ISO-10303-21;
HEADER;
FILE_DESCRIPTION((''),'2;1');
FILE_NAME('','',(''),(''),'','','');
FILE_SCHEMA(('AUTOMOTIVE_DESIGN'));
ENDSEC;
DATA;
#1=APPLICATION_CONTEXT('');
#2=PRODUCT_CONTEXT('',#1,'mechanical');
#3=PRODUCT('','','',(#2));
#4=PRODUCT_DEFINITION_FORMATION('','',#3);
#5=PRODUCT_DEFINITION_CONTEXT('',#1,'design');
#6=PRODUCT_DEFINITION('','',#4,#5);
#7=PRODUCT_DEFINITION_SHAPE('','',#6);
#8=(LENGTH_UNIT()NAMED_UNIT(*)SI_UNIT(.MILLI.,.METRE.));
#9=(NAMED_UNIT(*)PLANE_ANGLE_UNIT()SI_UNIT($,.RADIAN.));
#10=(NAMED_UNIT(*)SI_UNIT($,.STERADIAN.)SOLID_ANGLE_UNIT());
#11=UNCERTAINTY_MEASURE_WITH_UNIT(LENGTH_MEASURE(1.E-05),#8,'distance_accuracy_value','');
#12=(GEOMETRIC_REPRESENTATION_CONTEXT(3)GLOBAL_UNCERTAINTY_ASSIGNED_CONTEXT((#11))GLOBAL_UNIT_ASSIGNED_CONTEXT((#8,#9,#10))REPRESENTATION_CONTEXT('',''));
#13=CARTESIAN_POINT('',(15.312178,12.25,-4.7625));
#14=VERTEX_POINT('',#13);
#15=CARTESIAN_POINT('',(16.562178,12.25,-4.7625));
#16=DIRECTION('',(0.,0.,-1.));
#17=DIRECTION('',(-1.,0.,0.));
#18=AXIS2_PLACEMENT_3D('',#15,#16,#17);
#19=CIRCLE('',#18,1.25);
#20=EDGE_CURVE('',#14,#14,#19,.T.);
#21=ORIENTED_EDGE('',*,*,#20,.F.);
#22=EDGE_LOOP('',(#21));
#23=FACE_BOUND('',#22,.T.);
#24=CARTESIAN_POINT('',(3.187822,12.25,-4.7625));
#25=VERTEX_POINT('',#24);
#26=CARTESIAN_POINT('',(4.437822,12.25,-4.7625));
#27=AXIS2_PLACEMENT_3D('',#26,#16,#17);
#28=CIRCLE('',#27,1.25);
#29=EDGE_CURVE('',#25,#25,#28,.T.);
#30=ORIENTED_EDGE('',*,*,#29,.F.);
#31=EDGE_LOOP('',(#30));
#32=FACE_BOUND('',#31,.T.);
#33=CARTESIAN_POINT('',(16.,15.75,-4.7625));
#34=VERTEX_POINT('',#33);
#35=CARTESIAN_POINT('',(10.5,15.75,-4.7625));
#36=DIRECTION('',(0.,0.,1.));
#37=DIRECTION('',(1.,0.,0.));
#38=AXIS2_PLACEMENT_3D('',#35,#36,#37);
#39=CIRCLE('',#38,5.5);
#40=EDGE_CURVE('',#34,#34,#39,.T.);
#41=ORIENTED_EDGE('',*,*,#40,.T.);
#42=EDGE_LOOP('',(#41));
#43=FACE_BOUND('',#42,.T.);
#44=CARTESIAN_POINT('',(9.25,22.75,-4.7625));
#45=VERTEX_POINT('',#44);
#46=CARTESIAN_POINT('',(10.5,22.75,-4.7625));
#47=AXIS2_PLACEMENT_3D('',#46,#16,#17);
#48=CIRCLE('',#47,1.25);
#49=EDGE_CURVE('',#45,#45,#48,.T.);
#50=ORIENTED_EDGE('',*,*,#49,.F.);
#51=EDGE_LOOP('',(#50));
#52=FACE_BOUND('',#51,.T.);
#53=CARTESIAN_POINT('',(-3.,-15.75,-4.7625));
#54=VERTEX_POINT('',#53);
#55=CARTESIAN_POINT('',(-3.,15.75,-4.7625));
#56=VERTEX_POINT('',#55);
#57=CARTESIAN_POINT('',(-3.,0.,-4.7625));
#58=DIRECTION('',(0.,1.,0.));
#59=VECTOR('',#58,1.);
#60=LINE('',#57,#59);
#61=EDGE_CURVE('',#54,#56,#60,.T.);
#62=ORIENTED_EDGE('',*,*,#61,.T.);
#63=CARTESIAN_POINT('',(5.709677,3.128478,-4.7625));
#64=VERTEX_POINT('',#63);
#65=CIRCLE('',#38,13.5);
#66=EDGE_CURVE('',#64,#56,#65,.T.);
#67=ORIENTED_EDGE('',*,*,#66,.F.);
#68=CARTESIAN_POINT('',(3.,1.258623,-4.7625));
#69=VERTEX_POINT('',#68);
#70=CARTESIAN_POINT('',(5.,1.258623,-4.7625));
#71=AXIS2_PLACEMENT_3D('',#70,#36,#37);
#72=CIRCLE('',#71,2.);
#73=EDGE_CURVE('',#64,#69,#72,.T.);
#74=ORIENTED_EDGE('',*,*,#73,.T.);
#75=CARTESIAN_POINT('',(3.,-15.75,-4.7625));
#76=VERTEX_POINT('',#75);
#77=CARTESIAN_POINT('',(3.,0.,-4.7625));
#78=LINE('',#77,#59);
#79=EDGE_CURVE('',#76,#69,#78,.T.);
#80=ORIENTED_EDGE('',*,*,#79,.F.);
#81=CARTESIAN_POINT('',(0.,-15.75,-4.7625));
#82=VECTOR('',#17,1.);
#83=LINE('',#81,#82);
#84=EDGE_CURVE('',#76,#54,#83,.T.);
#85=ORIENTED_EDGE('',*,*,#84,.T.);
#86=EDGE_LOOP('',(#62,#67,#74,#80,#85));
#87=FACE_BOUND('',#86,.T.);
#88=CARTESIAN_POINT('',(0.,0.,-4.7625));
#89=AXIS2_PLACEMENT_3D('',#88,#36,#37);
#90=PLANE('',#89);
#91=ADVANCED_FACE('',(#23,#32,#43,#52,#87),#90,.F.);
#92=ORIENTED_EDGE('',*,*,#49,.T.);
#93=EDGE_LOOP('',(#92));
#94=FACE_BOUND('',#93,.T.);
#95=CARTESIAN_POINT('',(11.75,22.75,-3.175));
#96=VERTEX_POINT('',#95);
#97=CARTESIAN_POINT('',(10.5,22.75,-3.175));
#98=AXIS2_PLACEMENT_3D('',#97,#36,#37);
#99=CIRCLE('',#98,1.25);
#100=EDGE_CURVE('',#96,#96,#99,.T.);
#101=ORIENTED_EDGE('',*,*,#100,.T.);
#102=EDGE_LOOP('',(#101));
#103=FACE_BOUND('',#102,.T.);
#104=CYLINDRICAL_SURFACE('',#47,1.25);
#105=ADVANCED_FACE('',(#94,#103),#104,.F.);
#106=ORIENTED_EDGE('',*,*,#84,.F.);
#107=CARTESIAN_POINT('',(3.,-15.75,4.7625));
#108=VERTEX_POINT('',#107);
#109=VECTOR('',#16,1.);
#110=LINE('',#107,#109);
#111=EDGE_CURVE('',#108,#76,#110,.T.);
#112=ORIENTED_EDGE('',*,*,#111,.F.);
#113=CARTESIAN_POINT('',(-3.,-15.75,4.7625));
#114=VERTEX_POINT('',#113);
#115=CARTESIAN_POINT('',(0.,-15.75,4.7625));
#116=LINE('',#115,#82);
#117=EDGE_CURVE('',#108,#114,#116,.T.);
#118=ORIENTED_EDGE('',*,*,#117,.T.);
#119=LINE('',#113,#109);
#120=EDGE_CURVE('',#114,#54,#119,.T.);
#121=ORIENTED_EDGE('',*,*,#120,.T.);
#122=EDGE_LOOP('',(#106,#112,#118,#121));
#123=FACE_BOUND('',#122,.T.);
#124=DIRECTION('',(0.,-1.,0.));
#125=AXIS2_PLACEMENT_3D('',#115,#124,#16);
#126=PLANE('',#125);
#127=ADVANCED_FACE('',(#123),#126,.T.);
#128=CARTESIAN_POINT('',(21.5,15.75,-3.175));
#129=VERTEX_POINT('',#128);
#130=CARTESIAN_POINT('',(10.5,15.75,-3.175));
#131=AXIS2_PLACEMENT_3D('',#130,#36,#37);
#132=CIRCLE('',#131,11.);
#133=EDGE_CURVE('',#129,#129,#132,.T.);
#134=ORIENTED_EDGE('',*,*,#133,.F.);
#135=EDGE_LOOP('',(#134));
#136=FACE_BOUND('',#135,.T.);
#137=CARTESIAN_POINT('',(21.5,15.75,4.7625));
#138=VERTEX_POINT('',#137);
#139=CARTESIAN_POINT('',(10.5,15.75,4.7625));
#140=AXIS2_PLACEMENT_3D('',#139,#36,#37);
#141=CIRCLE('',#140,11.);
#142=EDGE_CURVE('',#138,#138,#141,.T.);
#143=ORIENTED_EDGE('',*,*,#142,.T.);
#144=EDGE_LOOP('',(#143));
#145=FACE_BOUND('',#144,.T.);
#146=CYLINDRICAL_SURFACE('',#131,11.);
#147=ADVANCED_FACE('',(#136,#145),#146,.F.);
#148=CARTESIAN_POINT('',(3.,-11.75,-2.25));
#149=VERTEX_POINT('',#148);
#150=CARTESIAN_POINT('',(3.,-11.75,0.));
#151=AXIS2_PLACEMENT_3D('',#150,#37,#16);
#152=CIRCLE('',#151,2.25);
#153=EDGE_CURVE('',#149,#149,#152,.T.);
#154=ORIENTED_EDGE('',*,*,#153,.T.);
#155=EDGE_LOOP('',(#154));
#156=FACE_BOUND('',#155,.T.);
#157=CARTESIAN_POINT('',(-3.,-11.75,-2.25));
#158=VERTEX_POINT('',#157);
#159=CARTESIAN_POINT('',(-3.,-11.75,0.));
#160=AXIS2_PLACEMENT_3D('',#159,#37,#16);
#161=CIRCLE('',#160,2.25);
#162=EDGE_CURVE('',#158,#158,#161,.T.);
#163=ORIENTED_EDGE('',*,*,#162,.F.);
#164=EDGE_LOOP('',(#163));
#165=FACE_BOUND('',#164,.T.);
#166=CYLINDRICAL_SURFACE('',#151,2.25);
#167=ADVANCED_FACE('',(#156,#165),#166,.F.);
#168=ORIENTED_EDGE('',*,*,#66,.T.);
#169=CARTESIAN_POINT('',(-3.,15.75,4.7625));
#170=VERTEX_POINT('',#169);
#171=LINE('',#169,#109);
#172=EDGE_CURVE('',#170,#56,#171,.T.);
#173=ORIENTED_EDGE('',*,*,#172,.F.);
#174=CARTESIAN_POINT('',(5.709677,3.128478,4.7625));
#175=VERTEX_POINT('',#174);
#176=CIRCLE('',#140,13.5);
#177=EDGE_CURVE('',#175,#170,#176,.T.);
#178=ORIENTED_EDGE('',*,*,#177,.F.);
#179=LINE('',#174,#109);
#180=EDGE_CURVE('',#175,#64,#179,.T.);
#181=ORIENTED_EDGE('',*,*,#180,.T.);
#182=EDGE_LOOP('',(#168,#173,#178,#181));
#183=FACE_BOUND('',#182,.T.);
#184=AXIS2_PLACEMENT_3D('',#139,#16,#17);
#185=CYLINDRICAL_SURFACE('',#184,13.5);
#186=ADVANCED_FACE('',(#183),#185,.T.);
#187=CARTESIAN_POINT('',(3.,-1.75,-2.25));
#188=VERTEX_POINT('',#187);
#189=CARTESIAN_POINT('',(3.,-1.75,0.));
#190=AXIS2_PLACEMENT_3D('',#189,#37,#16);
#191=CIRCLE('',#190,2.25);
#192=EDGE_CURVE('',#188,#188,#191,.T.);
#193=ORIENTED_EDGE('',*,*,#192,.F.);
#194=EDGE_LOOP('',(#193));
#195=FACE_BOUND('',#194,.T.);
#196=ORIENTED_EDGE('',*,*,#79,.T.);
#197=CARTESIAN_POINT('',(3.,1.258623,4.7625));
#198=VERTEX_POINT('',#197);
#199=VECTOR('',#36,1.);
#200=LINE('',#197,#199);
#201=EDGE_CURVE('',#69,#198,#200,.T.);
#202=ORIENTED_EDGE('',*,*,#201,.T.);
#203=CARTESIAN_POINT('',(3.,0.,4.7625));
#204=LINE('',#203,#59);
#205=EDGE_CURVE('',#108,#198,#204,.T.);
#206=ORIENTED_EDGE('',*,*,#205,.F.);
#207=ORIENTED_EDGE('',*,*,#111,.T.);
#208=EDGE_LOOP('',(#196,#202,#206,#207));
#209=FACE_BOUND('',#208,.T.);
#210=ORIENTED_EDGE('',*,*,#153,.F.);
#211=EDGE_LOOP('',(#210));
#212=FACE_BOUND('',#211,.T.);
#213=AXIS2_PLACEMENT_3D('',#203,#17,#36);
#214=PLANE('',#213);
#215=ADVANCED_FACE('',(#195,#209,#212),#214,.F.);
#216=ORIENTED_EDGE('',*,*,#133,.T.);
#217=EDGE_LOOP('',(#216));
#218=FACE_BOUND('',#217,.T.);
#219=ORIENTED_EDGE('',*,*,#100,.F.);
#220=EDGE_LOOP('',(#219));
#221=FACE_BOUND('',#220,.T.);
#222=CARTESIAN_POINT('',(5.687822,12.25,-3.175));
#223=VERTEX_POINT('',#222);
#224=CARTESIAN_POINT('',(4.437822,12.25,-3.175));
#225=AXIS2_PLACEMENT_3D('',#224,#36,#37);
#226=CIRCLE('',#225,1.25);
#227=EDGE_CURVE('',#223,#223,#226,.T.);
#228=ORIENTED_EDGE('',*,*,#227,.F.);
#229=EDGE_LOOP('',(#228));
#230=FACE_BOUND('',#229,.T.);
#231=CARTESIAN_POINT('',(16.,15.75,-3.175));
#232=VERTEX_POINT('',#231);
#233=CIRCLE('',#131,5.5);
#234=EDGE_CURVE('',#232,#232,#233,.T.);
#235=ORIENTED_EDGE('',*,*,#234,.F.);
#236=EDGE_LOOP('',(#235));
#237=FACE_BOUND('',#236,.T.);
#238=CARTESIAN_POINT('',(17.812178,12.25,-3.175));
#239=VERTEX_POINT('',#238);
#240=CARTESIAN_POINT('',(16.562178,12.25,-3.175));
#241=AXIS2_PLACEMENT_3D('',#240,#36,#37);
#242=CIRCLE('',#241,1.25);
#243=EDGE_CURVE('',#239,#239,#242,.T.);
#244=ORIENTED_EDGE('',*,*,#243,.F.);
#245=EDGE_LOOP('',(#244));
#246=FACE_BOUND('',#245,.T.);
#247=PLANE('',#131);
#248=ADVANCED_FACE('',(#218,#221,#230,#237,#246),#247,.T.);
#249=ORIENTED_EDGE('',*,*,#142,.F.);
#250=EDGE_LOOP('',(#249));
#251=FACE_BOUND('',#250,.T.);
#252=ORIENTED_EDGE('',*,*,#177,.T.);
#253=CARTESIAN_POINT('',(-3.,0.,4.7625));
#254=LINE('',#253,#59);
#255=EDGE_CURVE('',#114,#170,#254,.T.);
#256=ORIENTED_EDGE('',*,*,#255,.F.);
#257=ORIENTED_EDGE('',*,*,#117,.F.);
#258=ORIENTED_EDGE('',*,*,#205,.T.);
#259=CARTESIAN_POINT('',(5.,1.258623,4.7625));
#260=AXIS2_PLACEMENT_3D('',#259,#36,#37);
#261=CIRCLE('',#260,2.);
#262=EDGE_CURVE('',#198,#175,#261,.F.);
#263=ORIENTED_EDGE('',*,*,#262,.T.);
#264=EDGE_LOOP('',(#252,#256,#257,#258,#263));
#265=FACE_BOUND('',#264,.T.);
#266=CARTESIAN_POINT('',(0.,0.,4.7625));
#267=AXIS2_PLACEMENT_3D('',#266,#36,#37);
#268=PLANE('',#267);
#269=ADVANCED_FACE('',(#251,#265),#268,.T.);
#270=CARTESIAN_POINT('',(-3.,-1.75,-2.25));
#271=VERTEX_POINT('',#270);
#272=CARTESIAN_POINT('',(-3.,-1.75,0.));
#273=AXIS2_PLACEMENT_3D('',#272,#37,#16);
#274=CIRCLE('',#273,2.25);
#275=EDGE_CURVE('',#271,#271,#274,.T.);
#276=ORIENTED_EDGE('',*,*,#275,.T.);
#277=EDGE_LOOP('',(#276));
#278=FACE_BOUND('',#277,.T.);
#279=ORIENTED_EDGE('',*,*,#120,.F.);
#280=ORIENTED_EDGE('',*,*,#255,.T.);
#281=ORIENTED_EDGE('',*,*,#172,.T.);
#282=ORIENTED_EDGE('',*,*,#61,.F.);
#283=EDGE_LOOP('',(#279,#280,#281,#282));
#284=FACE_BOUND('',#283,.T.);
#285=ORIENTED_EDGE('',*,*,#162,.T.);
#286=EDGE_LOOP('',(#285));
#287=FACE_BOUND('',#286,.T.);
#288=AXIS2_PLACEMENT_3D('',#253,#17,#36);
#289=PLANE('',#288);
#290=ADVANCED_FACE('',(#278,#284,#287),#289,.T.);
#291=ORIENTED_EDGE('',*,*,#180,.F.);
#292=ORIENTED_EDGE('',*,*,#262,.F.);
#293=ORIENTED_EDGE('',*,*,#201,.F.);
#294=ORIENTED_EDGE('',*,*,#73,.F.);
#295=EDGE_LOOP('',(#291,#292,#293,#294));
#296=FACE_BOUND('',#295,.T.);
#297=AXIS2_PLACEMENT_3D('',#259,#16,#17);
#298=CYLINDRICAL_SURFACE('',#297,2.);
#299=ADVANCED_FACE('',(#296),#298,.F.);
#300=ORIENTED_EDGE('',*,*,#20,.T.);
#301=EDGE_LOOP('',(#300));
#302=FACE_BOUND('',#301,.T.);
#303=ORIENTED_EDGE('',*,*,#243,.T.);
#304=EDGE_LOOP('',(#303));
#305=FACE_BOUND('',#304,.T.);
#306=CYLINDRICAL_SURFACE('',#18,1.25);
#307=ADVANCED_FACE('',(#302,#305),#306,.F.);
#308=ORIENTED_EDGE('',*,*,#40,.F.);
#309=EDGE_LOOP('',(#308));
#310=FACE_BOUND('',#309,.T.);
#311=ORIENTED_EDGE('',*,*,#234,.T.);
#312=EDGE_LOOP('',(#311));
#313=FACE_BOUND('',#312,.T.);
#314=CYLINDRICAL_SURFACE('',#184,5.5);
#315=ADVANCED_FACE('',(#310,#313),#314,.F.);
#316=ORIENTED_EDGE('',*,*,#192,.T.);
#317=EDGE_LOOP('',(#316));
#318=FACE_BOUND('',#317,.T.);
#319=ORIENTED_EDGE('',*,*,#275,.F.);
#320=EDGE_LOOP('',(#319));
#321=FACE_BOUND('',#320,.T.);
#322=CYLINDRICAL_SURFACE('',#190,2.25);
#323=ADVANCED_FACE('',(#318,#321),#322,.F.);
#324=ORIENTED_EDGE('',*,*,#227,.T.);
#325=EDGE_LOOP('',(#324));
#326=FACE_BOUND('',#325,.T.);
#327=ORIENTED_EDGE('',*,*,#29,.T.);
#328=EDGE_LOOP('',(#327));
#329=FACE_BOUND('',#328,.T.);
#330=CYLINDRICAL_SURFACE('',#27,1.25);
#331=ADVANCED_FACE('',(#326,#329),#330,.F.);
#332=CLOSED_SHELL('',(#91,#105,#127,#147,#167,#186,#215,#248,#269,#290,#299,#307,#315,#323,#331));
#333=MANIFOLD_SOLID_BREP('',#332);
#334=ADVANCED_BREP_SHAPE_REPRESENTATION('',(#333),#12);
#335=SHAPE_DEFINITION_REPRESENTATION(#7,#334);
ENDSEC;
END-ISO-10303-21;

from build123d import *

# Parameters (mm, degrees)
SKETCH2_R             = 13.5
SKETCH2_R_2           = 5.5
SKETCH2_W             = 6
SKETCH2_H             = 31.5
BOSS_EXTRUDE1_DEPTH   = 4.7625
M4_CLEARANCE_HOLE1_D  = 4.5
FILLET1_R             = 2
SKETCH5_R             = 11
CUT_EXTRUDE1_DEPTH    = 7.9375
M3X0_5_TAPPED_HOLE1_D = 2.5


with BuildPart() as part:
    # Sketch2 → Boss-Extrude1 (new body, symmetric)
    with BuildSketch(Plane.XY):
        with Locations((10.5, 15.75)):
            Circle(SKETCH2_R)
        with Locations((10.5, 15.75)):
            Circle(SKETCH2_R_2, mode=Mode.SUBTRACT)
        Rectangle(SKETCH2_W, SKETCH2_H)
    extrude(amount=BOSS_EXTRUDE1_DEPTH, both=True)

    # M4 Clearance Hole1 (through all)
    with Locations(Plane(origin=(3, 0, 0), x_dir=(0, 0, -1), z_dir=(1, 0, 0))):
        with Locations((0, -1.75), (0, -11.75)):
            Hole(M4_CLEARANCE_HOLE1_D / 2)

    # Fillet1
    fillet1_edges = [part.edges().sort_by_distance(p)[0] for p in [
        (3, 4.52502784, 0),
    ]]
    fillet(fillet1_edges, radius=FILLET1_R)

    # Sketch5 → Cut-Extrude1 (cut)
    with BuildSketch(Plane.XY.offset(4.7625)):
        with Locations((10.5, 15.75)):
            Circle(SKETCH5_R)
    extrude(amount=-CUT_EXTRUDE1_DEPTH, mode=Mode.SUBTRACT)

    # M3x0.5 Tapped Hole1 (through all)
    with Locations(Plane(origin=(0, 0, -4.7625), x_dir=(-1, 0, 0), z_dir=(0, 0, -1))):
        with Locations((-10.5, 22.75), (-16.562177826, 12.25), (-4.437822174, 12.25)):
            Hole(M3X0_5_TAPPED_HOLE1_D / 2)


solid = part.part
